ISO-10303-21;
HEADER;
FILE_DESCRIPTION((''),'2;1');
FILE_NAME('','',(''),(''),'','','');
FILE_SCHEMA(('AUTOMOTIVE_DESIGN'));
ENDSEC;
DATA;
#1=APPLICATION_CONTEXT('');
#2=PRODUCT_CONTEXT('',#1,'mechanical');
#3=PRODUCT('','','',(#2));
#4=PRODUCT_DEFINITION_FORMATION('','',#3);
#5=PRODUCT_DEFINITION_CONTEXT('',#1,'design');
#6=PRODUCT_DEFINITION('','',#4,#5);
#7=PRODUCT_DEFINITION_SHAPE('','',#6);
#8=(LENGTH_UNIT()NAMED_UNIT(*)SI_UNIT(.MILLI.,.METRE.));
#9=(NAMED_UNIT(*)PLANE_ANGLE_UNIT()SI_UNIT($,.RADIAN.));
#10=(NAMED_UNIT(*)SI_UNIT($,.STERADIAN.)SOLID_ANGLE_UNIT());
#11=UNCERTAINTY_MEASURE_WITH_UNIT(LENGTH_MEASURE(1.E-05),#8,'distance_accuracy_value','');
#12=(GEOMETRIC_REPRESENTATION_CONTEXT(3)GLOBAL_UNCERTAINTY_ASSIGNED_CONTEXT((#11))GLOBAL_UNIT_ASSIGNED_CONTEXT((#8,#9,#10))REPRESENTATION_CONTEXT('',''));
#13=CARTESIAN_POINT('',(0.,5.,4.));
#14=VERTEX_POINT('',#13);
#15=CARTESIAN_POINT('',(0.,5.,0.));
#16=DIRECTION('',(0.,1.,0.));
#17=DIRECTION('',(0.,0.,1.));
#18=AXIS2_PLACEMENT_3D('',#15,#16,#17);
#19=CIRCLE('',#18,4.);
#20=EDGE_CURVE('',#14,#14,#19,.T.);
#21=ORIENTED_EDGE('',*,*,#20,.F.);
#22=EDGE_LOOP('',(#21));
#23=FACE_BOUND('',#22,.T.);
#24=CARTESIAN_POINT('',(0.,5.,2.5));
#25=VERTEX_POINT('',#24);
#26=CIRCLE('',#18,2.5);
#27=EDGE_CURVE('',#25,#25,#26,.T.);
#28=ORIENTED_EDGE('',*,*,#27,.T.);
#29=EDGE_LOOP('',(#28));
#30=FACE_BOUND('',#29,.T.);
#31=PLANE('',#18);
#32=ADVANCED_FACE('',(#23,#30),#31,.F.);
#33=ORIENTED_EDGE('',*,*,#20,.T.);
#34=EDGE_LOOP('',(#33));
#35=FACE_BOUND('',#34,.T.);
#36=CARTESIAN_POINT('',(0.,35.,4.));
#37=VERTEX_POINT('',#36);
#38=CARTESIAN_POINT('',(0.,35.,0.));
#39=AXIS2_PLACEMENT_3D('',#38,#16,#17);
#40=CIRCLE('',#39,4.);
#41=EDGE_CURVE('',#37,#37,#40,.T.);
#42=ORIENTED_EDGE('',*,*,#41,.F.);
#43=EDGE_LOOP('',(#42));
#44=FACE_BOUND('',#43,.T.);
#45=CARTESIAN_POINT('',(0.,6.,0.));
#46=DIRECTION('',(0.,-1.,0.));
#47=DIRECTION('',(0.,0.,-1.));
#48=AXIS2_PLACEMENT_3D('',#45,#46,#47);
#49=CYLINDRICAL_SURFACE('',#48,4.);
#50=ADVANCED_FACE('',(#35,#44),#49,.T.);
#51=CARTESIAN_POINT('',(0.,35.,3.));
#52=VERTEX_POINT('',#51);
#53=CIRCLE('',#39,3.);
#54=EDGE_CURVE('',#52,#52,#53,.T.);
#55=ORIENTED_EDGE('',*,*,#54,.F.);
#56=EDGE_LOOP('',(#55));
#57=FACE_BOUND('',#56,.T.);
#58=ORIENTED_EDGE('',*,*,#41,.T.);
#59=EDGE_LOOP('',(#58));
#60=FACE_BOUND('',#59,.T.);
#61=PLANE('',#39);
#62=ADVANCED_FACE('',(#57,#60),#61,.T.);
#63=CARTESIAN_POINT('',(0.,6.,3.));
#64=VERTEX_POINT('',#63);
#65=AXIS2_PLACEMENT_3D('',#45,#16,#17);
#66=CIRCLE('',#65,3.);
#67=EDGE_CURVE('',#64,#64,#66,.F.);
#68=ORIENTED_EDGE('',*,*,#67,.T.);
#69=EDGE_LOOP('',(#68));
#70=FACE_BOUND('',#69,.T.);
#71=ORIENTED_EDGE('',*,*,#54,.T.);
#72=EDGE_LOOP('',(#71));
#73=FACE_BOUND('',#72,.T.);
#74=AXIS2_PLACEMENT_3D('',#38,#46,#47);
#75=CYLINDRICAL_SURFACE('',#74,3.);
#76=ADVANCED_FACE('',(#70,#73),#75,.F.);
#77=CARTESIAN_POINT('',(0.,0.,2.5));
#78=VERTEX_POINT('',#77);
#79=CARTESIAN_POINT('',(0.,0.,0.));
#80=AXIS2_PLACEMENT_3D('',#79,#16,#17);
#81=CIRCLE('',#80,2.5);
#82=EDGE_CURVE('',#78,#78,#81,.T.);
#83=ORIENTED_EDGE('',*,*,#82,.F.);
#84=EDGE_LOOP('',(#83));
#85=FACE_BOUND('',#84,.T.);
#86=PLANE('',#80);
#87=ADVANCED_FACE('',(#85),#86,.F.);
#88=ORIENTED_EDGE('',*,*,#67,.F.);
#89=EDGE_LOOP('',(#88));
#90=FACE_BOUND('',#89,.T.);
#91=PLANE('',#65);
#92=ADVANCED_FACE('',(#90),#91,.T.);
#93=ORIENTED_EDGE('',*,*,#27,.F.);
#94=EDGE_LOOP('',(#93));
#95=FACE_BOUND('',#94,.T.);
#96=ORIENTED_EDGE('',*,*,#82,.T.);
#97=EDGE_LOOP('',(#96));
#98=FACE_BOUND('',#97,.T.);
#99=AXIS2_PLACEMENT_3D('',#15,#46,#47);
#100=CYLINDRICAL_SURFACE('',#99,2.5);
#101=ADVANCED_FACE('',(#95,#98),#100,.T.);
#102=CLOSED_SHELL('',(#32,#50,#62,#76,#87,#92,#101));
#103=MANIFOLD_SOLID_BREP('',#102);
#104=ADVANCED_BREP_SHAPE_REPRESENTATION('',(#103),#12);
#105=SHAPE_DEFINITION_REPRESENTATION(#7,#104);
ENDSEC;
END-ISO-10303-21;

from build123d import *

# Parameters (mm, degrees)
SKETCH1_R           = 2.5
BOSS_EXTRUDE1_DEPTH = 5
BOSS_EXTRUDE2_START = 5
SKETCH1_3_R         = 4
BOSS_EXTRUDE2_DEPTH = 1
BOSS_EXTRUDE3_START = 6
SKETCH1_4_R         = 4
SKETCH1_4_R_2       = 3
BOSS_EXTRUDE3_DEPTH = 29


with BuildPart() as part:
    # Sketch1 → Boss-Extrude1 (new body)
    with BuildSketch(Plane(origin=(0, 0, 0), x_dir=(1, 0, 0), z_dir=(0, 1, 0))):
        Circle(SKETCH1_R)
    extrude(amount=BOSS_EXTRUDE1_DEPTH)

    # Sketch1<3> → Boss-Extrude2 (add)
    with BuildSketch(Plane(origin=(0, 0, 0), x_dir=(1, 0, 0), z_dir=(0, 1, 0)).offset(BOSS_EXTRUDE2_START)):
        Circle(SKETCH1_3_R)
    extrude(amount=BOSS_EXTRUDE2_DEPTH)

    # Sketch1<4> → Boss-Extrude3 (add)
    with BuildSketch(Plane(origin=(0, 0, 0), x_dir=(1, 0, 0), z_dir=(0, 1, 0)).offset(BOSS_EXTRUDE3_START)):
        Circle(SKETCH1_4_R)
        Circle(SKETCH1_4_R_2, mode=Mode.SUBTRACT)
    extrude(amount=BOSS_EXTRUDE3_DEPTH)


solid = part.part
